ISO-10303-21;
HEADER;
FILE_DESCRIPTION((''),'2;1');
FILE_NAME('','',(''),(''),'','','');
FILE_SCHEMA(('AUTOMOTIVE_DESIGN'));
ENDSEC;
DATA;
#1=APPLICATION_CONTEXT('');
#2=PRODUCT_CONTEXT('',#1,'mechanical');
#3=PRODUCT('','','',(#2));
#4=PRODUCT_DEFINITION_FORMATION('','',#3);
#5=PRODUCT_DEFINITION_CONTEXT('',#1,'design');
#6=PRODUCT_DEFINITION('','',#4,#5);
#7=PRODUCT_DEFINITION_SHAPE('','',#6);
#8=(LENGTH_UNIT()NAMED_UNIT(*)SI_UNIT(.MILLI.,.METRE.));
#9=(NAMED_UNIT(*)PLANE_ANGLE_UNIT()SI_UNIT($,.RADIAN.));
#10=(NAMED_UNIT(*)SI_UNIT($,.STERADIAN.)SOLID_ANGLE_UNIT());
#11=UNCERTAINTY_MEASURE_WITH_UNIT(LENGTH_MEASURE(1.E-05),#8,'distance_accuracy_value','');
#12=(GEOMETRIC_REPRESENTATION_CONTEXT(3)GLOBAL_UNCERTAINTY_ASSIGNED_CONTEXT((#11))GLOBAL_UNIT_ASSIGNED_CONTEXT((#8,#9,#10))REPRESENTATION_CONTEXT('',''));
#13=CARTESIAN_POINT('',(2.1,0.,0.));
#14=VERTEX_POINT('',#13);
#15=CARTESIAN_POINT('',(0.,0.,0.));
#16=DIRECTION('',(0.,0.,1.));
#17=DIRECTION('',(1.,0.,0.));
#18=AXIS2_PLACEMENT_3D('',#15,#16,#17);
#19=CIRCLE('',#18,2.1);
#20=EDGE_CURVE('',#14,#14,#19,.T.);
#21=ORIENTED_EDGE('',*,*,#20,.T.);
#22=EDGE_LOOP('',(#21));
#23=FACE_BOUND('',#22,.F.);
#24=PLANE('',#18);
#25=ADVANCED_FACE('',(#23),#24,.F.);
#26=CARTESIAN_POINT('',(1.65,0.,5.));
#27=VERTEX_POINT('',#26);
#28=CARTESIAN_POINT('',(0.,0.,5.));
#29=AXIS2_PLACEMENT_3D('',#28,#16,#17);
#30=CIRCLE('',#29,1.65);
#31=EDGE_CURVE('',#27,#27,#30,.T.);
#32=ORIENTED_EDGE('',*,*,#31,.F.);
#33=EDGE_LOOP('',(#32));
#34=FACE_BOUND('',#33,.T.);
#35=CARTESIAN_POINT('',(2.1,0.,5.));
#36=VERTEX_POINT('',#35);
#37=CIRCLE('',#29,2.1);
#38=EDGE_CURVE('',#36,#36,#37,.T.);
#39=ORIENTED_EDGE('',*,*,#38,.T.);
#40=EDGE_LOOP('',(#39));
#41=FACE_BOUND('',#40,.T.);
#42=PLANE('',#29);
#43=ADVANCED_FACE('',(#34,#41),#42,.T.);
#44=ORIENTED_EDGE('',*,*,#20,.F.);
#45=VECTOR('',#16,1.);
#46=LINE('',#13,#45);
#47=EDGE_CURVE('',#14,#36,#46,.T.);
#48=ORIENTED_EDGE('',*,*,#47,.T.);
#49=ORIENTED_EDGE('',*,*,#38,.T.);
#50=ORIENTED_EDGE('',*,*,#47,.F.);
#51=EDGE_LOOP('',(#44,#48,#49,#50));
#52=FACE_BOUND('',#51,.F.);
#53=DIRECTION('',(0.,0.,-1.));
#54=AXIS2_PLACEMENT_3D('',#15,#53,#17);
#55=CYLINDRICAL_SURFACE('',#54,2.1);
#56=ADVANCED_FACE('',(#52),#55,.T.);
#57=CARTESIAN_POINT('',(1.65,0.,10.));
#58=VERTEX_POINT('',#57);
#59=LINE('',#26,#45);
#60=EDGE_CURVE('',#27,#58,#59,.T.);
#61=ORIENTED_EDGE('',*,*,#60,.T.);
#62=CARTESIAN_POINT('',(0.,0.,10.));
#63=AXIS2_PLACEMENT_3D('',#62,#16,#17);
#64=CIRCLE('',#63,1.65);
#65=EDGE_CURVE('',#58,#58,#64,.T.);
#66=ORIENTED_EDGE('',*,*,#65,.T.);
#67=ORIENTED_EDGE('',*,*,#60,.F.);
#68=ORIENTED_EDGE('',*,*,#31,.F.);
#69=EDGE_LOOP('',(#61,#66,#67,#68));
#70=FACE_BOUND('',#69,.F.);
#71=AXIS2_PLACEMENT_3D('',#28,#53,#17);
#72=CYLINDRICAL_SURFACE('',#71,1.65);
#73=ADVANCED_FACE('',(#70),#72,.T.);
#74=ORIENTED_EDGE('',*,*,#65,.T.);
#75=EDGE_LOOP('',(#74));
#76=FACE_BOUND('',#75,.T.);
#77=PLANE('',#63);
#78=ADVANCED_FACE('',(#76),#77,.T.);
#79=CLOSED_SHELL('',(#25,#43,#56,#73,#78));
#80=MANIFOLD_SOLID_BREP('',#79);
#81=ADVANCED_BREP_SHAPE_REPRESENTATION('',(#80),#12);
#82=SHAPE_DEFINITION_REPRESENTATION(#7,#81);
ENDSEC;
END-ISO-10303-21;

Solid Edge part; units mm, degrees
sketch "Sketch1" plane through (0, 0, 0) normal (0, 0, 1) x (1, 0, 0)
  circle A0 centre (0, 0) radius 2.1
extrude "Protrusion1" add sketch "Sketch1" along normal blind 5
sketch "Sketch2" plane through (0, 0, 5) normal (0, 0, 1) x (1, 0, 0)
  circle A0 centre (0, 0) radius 1.65
extrude "ExtrudedProtrusion_2" add sketch "Sketch2" along normal blind 5
